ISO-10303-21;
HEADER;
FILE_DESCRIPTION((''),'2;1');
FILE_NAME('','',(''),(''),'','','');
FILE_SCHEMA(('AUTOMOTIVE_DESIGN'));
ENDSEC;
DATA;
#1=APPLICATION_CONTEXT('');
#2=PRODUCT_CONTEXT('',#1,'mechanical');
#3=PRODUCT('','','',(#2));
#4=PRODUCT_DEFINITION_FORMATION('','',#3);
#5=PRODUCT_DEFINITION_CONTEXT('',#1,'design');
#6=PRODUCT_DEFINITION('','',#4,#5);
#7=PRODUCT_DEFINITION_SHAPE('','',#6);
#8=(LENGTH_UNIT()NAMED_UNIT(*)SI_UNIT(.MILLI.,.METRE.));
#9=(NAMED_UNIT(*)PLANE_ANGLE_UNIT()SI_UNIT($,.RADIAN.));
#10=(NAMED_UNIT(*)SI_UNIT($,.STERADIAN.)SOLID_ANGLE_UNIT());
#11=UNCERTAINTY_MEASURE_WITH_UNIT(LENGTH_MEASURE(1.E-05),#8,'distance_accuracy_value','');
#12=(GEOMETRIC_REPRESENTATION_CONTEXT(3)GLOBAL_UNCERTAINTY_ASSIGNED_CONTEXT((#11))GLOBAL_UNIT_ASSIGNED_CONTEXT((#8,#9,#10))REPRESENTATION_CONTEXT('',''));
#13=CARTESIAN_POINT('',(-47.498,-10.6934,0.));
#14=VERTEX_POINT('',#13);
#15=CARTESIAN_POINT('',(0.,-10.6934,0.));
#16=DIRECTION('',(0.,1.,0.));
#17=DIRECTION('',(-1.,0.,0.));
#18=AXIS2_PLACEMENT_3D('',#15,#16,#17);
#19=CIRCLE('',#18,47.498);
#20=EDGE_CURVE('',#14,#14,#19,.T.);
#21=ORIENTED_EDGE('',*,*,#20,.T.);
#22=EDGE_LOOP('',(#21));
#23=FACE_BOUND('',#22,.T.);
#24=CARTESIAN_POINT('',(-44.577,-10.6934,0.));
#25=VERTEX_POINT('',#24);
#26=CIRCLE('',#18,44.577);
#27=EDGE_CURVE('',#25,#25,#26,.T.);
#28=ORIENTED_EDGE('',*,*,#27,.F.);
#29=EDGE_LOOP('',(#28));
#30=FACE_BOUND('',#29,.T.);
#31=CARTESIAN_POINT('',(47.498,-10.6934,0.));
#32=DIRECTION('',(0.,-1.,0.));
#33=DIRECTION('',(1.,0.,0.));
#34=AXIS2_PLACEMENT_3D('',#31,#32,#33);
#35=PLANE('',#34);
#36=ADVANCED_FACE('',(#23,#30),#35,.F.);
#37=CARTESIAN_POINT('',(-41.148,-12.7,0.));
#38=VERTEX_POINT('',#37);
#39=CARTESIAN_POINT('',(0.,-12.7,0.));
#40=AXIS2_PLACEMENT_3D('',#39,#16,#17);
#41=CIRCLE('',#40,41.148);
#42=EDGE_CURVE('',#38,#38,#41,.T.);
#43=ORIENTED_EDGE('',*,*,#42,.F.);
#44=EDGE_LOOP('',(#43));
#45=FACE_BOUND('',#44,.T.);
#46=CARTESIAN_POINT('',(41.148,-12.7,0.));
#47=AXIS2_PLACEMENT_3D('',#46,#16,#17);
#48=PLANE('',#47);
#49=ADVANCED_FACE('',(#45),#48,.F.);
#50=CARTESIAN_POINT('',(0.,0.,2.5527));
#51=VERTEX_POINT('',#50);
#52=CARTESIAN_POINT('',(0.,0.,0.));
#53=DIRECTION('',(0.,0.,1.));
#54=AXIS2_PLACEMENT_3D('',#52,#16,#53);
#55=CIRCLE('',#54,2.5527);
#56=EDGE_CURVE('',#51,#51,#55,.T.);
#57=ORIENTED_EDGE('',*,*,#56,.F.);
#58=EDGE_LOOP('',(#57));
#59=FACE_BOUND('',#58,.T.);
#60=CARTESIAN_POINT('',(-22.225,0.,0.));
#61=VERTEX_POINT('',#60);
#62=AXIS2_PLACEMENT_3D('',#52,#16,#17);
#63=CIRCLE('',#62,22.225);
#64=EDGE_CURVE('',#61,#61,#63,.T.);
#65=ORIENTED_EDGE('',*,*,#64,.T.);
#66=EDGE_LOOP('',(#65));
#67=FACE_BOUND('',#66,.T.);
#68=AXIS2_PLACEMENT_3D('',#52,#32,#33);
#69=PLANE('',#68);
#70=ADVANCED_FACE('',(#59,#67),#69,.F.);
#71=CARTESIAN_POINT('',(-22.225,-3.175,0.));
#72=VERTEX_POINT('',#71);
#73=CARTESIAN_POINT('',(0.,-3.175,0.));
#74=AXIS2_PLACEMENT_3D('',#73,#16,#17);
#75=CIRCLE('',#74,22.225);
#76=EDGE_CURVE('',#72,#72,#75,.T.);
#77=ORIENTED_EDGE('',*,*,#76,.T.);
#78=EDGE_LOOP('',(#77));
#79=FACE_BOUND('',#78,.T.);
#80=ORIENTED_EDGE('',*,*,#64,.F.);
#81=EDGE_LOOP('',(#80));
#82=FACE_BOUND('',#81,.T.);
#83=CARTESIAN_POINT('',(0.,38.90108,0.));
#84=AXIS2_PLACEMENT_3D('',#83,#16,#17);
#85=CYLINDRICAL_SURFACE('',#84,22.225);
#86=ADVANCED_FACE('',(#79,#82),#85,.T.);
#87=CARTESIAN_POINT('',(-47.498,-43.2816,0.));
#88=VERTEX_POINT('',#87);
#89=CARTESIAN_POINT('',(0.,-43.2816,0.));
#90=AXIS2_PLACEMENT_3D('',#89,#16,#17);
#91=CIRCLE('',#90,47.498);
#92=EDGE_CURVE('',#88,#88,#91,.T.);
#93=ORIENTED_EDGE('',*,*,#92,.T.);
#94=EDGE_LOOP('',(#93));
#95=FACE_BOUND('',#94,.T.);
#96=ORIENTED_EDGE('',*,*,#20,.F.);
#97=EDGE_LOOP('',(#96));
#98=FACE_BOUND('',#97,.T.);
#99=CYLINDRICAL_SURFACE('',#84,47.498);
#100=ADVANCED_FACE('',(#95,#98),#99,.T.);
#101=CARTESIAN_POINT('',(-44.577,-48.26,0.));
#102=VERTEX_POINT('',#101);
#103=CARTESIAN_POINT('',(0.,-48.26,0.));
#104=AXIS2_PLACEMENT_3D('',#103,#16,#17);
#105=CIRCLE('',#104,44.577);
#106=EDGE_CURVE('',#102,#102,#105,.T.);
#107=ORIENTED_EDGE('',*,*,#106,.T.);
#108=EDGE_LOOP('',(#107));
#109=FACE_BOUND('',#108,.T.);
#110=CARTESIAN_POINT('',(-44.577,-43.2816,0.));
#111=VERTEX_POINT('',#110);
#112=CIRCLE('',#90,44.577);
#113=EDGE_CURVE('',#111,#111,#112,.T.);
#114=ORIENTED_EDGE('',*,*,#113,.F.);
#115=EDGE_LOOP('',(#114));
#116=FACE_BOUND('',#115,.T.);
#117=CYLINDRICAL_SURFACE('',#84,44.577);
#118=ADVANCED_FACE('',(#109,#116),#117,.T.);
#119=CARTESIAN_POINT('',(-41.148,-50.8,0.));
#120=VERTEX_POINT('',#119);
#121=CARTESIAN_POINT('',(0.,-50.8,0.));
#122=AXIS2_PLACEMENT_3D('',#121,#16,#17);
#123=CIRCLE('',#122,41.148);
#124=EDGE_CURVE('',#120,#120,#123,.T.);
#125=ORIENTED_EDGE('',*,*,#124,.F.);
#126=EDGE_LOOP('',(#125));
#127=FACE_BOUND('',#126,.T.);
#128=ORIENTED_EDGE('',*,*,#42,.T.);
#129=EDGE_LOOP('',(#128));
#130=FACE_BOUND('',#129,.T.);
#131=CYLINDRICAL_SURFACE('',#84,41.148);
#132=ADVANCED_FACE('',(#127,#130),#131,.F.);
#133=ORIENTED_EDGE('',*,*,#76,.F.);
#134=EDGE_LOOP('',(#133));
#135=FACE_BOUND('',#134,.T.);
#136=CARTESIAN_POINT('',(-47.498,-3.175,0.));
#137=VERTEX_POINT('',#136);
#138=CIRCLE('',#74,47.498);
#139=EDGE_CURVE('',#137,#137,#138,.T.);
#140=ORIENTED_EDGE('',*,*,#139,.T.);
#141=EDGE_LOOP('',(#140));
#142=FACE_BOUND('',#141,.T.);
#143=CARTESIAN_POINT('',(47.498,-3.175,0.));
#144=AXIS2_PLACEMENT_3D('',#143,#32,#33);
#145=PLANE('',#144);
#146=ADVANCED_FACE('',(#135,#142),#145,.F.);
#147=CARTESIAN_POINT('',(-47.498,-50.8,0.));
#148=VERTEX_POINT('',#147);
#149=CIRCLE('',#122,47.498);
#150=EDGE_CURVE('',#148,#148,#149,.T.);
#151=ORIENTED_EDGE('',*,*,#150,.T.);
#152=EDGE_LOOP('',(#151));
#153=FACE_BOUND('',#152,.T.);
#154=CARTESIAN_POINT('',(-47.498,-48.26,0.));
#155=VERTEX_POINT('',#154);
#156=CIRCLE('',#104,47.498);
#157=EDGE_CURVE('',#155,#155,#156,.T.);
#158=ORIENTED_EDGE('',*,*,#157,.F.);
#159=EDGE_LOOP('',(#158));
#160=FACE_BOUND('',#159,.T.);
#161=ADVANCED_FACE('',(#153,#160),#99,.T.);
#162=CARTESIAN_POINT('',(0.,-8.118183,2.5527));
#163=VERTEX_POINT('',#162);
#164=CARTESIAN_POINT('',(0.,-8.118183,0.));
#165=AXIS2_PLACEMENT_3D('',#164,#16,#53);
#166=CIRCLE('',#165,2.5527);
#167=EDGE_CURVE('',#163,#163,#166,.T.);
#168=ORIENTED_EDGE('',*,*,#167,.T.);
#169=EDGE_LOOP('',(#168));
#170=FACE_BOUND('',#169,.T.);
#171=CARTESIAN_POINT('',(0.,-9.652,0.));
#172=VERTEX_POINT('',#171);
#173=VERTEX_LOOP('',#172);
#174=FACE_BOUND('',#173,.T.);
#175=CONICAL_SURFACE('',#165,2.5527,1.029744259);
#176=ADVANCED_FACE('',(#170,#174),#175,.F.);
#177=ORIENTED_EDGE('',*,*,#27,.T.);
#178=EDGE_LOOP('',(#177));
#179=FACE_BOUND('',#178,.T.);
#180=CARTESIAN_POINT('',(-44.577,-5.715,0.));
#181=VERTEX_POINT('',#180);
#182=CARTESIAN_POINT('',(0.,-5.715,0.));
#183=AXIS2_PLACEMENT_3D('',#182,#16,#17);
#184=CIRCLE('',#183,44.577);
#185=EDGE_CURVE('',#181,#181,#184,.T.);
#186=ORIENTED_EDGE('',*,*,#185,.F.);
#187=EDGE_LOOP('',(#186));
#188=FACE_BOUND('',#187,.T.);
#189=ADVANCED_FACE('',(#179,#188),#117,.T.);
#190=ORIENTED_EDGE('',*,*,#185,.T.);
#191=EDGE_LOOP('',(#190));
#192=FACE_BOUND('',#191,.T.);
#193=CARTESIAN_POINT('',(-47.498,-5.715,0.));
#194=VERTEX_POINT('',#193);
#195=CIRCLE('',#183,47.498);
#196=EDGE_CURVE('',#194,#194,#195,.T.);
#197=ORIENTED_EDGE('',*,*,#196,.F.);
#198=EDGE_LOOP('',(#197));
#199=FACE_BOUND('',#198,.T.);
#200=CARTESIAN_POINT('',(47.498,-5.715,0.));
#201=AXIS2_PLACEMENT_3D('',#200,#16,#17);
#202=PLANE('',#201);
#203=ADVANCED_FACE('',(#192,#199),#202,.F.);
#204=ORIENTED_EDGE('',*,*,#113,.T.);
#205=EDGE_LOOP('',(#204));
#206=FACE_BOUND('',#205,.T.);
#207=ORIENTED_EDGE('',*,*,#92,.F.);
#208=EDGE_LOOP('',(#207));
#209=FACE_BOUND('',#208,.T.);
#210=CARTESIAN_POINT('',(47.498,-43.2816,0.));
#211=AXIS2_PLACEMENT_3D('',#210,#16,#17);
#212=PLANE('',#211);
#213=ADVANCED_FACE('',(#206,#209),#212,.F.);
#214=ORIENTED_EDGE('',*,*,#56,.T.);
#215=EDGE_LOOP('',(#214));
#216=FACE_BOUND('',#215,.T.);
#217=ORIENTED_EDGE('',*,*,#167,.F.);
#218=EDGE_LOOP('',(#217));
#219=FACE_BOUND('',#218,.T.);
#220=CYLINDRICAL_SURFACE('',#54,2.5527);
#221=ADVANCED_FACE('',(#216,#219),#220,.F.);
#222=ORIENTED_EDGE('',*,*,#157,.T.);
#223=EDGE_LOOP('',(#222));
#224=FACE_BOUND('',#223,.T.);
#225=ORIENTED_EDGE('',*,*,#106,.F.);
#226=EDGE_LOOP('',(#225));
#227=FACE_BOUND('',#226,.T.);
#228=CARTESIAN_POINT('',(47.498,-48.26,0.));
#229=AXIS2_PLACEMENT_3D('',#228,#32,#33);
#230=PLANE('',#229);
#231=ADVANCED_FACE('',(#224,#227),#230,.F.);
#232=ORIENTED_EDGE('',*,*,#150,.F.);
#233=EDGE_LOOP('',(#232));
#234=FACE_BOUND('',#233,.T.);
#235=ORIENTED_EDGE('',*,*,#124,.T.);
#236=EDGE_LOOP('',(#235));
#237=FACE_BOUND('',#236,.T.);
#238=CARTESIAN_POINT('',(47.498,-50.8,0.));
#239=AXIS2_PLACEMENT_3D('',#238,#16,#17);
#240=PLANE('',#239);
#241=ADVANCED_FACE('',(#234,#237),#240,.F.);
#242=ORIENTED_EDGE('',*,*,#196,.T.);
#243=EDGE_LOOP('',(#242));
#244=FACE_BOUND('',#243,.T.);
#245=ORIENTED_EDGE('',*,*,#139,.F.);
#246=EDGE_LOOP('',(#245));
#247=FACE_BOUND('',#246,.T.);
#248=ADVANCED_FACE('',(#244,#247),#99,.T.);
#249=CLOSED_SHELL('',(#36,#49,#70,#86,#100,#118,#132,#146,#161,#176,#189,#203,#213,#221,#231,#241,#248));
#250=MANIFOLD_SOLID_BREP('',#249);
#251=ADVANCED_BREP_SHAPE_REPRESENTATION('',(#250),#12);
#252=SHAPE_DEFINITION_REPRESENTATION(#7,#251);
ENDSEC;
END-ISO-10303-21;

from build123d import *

# Parameters (mm, degrees)
F_1_4_20_TAPPED_HOLE1_D     = 5.1054
F_1_4_20_TAPPED_HOLE1_DEPTH = 8.118183098
F_1_4_20_TAPPED_HOLE1_TIP   = 1.533816902


with BuildPart() as part:
    # Sketch1 → Revolve1 (revolve)
    with BuildSketch(Plane.XY, mode=Mode.PRIVATE) as revolve1_sk:
        Polygon((0, 0), (22.225, 0), (22.225, -3.175), (47.498, -3.175), (47.498, -5.715), (44.577, -5.715), (44.577, -10.6934), (47.498, -10.6934), (47.498, -28.7782), (47.498, -33.7566), (47.498, -43.2816), (44.577, -43.2816), (44.577, -48.26), (47.498, -48.26), (47.498, -50.8), (41.148, -50.8), (41.148, -12.7), (0, -12.7), align=None)
    revolve(revolve1_sk.sketch.rotate(Axis((0, 38.901080227, 0), (0, -1, 0)), 180), axis=Axis((0, 38.901080227, 0), (0, -1, 0)))

    # 1/4-20 Tapped Hole1
    with Locations(Plane(origin=(0, 0, 0), x_dir=(1, 0, 0), z_dir=(0, 1, 0))):
        with Locations((0, 0)):
            Hole(F_1_4_20_TAPPED_HOLE1_D / 2, depth=F_1_4_20_TAPPED_HOLE1_DEPTH)
            with Locations((0, 0, -(F_1_4_20_TAPPED_HOLE1_DEPTH + F_1_4_20_TAPPED_HOLE1_TIP / 2))):  # 118° drill point
                Cone(0, F_1_4_20_TAPPED_HOLE1_D / 2, F_1_4_20_TAPPED_HOLE1_TIP, mode=Mode.SUBTRACT)


solid = part.part
